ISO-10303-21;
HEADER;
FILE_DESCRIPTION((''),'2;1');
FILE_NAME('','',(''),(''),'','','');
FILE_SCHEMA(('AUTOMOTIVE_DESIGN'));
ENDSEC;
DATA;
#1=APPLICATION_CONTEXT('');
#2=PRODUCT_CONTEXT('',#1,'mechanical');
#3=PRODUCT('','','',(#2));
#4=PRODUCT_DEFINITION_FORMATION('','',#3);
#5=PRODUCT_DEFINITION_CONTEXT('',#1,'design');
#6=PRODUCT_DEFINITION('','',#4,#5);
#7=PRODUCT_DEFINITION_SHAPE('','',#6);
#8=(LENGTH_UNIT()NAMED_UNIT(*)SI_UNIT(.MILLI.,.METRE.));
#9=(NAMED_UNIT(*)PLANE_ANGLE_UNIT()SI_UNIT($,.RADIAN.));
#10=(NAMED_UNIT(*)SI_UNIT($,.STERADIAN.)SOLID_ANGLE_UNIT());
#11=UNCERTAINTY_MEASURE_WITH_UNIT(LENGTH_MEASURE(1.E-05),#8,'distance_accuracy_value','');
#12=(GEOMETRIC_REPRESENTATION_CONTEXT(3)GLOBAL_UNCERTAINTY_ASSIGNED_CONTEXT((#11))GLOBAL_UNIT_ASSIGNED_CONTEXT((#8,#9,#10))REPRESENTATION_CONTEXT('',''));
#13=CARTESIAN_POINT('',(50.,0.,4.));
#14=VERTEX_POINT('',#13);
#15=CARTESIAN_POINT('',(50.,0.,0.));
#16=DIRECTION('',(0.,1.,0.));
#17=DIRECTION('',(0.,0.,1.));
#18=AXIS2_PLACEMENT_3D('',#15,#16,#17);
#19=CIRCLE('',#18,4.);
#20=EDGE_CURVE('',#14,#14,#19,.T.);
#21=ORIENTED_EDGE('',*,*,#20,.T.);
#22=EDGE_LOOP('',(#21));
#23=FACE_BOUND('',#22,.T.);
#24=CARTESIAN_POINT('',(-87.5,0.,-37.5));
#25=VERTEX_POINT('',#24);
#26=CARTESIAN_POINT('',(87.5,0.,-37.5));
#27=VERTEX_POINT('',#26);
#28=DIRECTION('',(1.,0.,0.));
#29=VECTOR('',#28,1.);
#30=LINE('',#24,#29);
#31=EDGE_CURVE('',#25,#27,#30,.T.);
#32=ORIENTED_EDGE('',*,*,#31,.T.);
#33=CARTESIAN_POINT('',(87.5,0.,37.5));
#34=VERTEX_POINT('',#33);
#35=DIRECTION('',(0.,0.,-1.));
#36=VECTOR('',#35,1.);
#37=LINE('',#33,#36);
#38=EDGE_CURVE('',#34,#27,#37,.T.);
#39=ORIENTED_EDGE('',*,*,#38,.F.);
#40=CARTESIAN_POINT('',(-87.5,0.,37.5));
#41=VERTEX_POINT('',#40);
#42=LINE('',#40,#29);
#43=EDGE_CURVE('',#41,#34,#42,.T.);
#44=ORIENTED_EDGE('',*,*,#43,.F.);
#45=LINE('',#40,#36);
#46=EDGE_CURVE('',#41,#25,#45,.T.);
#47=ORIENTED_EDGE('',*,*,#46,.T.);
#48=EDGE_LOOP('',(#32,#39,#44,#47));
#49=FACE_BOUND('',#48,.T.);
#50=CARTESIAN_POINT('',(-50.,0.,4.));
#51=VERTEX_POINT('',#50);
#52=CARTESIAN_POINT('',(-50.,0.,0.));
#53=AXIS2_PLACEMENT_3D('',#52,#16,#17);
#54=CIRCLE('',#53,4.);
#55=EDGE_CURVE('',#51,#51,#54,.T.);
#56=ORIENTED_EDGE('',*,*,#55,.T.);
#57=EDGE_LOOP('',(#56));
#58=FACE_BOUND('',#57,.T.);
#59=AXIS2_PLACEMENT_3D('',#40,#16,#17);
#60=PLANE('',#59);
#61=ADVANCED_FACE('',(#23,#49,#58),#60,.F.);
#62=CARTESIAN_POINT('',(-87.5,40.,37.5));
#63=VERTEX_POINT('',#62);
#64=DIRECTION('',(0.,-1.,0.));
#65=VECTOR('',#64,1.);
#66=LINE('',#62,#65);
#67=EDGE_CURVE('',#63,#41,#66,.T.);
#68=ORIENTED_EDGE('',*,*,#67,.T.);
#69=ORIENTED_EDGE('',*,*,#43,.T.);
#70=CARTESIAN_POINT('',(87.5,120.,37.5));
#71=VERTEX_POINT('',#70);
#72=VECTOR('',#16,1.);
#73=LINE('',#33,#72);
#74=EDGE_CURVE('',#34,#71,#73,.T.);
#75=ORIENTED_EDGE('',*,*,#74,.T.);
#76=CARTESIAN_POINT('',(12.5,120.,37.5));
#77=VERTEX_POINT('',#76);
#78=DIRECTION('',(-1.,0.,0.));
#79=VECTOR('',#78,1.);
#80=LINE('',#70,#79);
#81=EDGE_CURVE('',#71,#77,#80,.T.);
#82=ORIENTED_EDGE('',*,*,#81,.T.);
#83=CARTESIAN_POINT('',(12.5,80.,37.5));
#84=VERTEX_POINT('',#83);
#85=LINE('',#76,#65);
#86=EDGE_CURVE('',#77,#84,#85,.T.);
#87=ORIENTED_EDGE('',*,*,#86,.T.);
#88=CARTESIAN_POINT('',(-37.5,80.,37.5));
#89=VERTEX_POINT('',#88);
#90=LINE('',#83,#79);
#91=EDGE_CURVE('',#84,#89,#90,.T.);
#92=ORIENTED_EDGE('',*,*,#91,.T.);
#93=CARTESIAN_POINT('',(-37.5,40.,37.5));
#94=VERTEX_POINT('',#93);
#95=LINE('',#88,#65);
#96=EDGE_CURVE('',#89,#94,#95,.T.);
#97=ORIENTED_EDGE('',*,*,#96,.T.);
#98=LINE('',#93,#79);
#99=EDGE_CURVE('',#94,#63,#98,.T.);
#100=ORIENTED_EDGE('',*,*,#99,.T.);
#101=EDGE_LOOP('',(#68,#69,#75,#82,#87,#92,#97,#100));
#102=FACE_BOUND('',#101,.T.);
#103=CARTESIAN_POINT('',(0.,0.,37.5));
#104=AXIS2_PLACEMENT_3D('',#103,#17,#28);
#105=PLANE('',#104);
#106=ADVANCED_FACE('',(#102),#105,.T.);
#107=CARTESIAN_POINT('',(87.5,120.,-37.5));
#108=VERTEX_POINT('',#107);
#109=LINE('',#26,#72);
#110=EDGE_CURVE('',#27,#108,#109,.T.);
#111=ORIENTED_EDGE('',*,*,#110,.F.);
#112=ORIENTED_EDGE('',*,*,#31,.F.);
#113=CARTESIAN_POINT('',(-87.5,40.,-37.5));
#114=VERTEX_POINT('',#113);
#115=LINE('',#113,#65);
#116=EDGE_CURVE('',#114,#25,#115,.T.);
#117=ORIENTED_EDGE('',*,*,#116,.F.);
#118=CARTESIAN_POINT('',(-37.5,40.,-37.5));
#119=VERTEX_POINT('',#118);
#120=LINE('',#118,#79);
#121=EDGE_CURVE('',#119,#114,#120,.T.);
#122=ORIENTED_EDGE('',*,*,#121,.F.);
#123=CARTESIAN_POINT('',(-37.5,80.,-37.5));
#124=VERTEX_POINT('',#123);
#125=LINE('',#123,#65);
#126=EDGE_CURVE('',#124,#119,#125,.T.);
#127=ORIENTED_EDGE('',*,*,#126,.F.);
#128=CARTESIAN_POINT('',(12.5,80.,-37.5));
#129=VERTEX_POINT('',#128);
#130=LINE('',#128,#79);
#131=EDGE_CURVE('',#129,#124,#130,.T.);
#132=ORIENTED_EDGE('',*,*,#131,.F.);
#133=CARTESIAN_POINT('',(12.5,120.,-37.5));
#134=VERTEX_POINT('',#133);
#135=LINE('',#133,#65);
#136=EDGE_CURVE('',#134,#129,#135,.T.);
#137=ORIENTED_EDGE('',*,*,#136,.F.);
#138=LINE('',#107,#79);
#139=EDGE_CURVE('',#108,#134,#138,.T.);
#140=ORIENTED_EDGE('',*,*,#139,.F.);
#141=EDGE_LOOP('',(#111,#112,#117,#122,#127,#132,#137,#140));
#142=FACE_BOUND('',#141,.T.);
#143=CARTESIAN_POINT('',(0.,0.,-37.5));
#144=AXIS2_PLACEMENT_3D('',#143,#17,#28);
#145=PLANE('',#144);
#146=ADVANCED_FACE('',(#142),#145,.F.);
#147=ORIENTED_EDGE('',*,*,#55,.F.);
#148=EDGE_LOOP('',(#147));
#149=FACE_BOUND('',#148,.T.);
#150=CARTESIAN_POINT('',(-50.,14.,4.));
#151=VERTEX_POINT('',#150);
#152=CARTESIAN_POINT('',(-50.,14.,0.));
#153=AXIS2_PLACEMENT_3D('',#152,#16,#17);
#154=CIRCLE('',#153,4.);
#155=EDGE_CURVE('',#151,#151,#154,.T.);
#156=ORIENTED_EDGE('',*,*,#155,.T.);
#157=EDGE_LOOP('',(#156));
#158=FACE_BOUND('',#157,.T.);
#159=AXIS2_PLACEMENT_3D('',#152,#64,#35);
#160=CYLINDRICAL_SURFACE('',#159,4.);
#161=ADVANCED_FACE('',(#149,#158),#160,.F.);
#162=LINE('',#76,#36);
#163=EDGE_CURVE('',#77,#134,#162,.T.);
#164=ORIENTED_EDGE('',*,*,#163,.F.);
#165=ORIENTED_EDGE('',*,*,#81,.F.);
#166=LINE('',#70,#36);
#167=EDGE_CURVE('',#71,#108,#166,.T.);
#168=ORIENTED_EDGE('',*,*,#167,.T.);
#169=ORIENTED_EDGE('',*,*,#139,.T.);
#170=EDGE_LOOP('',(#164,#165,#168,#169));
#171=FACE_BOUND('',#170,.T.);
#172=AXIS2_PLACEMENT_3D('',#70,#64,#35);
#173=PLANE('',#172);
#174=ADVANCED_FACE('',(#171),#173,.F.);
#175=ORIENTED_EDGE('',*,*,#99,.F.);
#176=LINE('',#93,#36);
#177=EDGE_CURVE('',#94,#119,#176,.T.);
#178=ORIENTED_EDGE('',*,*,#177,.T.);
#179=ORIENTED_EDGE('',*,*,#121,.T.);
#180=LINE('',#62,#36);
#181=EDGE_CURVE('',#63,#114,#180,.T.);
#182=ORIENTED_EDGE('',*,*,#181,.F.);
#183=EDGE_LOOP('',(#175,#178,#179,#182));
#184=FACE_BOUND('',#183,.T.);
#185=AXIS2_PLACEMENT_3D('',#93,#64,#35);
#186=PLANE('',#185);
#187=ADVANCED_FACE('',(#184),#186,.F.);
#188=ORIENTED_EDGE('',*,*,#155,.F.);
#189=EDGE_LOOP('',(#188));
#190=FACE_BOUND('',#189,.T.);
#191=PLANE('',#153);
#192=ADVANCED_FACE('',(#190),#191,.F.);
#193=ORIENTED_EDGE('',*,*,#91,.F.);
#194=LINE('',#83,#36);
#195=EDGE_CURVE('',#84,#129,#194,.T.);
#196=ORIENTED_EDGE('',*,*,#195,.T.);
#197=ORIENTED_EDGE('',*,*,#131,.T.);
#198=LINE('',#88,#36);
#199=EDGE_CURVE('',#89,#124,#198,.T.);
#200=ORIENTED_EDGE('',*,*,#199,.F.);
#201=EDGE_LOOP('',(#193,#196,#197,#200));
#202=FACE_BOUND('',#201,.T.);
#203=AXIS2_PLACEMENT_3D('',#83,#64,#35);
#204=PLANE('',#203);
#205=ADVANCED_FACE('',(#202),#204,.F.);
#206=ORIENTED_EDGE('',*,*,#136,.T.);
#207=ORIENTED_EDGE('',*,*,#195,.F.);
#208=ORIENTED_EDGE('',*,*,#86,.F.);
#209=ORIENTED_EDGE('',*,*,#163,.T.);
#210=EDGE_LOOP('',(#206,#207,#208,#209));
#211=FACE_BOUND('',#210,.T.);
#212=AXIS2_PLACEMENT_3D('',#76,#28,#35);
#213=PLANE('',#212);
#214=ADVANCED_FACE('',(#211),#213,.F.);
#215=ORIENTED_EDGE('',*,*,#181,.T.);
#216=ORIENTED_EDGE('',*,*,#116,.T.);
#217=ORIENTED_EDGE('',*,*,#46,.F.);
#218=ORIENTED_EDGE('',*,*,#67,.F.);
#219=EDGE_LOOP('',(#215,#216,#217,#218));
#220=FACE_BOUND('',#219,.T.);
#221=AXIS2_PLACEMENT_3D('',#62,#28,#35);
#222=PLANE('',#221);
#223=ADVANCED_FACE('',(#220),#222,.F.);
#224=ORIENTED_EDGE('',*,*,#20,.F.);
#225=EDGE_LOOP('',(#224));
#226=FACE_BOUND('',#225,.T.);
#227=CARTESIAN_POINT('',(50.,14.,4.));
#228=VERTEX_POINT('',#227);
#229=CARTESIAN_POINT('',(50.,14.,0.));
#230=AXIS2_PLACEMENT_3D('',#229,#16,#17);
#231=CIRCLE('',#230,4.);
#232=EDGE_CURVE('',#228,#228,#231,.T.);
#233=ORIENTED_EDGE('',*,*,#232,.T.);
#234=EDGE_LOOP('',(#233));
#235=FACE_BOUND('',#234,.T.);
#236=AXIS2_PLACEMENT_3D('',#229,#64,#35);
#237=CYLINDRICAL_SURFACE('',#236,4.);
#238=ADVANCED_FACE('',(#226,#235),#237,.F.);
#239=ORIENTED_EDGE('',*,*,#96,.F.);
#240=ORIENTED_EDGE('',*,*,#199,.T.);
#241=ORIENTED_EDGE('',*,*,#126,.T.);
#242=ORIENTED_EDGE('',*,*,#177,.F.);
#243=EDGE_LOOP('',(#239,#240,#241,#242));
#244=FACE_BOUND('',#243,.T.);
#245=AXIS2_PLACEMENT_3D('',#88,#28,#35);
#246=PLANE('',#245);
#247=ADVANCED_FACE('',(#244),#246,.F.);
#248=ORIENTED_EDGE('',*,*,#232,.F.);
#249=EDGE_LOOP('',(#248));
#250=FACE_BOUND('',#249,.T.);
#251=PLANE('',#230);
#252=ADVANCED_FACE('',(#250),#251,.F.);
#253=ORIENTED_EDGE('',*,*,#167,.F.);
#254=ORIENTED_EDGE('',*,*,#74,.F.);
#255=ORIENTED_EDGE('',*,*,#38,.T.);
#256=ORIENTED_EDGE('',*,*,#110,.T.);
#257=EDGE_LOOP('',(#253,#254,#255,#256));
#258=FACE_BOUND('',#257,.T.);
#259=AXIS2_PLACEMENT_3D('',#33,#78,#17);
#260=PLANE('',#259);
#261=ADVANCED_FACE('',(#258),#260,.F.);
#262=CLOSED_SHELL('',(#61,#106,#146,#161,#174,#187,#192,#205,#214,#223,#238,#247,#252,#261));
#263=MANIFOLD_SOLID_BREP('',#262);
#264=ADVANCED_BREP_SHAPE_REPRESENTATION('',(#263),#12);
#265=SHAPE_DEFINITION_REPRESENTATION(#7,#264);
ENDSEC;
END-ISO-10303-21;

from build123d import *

# Parameters (mm, degrees)
ESCALERA_DEPTH             = 37.5
CROQUIS_AGUJEROS_MONTAJE_R = 4
AGUJERO_INSERTO_M6_DEPTH   = 14


with BuildPart() as part:
    # Croquis_perfil_escalera → Escalera (new, symmetric)
    with BuildSketch(Plane.XY):
        Polygon((-87.5, 0), (87.5, 0), (87.5, 120), (12.5, 120), (12.5, 80), (-37.5, 80), (-37.5, 40), (-87.5, 40), align=None)
    extrude(amount=ESCALERA_DEPTH, both=True)

    # Croquis_agujeros_montaje → Agujero_inserto_M6 (cut)
    with BuildSketch(Plane(origin=(0, 0, 0), x_dir=(1, 0, 0), z_dir=(0, 1, 0))):
        with Locations(Location((-50, 0, 0), (0, 0, 270))):
            Circle(CROQUIS_AGUJEROS_MONTAJE_R)
        with Locations(Location((50, 0, 0), (0, 0, 270))):
            Circle(CROQUIS_AGUJEROS_MONTAJE_R)
    extrude(amount=AGUJERO_INSERTO_M6_DEPTH, mode=Mode.SUBTRACT)


solid = part.part
